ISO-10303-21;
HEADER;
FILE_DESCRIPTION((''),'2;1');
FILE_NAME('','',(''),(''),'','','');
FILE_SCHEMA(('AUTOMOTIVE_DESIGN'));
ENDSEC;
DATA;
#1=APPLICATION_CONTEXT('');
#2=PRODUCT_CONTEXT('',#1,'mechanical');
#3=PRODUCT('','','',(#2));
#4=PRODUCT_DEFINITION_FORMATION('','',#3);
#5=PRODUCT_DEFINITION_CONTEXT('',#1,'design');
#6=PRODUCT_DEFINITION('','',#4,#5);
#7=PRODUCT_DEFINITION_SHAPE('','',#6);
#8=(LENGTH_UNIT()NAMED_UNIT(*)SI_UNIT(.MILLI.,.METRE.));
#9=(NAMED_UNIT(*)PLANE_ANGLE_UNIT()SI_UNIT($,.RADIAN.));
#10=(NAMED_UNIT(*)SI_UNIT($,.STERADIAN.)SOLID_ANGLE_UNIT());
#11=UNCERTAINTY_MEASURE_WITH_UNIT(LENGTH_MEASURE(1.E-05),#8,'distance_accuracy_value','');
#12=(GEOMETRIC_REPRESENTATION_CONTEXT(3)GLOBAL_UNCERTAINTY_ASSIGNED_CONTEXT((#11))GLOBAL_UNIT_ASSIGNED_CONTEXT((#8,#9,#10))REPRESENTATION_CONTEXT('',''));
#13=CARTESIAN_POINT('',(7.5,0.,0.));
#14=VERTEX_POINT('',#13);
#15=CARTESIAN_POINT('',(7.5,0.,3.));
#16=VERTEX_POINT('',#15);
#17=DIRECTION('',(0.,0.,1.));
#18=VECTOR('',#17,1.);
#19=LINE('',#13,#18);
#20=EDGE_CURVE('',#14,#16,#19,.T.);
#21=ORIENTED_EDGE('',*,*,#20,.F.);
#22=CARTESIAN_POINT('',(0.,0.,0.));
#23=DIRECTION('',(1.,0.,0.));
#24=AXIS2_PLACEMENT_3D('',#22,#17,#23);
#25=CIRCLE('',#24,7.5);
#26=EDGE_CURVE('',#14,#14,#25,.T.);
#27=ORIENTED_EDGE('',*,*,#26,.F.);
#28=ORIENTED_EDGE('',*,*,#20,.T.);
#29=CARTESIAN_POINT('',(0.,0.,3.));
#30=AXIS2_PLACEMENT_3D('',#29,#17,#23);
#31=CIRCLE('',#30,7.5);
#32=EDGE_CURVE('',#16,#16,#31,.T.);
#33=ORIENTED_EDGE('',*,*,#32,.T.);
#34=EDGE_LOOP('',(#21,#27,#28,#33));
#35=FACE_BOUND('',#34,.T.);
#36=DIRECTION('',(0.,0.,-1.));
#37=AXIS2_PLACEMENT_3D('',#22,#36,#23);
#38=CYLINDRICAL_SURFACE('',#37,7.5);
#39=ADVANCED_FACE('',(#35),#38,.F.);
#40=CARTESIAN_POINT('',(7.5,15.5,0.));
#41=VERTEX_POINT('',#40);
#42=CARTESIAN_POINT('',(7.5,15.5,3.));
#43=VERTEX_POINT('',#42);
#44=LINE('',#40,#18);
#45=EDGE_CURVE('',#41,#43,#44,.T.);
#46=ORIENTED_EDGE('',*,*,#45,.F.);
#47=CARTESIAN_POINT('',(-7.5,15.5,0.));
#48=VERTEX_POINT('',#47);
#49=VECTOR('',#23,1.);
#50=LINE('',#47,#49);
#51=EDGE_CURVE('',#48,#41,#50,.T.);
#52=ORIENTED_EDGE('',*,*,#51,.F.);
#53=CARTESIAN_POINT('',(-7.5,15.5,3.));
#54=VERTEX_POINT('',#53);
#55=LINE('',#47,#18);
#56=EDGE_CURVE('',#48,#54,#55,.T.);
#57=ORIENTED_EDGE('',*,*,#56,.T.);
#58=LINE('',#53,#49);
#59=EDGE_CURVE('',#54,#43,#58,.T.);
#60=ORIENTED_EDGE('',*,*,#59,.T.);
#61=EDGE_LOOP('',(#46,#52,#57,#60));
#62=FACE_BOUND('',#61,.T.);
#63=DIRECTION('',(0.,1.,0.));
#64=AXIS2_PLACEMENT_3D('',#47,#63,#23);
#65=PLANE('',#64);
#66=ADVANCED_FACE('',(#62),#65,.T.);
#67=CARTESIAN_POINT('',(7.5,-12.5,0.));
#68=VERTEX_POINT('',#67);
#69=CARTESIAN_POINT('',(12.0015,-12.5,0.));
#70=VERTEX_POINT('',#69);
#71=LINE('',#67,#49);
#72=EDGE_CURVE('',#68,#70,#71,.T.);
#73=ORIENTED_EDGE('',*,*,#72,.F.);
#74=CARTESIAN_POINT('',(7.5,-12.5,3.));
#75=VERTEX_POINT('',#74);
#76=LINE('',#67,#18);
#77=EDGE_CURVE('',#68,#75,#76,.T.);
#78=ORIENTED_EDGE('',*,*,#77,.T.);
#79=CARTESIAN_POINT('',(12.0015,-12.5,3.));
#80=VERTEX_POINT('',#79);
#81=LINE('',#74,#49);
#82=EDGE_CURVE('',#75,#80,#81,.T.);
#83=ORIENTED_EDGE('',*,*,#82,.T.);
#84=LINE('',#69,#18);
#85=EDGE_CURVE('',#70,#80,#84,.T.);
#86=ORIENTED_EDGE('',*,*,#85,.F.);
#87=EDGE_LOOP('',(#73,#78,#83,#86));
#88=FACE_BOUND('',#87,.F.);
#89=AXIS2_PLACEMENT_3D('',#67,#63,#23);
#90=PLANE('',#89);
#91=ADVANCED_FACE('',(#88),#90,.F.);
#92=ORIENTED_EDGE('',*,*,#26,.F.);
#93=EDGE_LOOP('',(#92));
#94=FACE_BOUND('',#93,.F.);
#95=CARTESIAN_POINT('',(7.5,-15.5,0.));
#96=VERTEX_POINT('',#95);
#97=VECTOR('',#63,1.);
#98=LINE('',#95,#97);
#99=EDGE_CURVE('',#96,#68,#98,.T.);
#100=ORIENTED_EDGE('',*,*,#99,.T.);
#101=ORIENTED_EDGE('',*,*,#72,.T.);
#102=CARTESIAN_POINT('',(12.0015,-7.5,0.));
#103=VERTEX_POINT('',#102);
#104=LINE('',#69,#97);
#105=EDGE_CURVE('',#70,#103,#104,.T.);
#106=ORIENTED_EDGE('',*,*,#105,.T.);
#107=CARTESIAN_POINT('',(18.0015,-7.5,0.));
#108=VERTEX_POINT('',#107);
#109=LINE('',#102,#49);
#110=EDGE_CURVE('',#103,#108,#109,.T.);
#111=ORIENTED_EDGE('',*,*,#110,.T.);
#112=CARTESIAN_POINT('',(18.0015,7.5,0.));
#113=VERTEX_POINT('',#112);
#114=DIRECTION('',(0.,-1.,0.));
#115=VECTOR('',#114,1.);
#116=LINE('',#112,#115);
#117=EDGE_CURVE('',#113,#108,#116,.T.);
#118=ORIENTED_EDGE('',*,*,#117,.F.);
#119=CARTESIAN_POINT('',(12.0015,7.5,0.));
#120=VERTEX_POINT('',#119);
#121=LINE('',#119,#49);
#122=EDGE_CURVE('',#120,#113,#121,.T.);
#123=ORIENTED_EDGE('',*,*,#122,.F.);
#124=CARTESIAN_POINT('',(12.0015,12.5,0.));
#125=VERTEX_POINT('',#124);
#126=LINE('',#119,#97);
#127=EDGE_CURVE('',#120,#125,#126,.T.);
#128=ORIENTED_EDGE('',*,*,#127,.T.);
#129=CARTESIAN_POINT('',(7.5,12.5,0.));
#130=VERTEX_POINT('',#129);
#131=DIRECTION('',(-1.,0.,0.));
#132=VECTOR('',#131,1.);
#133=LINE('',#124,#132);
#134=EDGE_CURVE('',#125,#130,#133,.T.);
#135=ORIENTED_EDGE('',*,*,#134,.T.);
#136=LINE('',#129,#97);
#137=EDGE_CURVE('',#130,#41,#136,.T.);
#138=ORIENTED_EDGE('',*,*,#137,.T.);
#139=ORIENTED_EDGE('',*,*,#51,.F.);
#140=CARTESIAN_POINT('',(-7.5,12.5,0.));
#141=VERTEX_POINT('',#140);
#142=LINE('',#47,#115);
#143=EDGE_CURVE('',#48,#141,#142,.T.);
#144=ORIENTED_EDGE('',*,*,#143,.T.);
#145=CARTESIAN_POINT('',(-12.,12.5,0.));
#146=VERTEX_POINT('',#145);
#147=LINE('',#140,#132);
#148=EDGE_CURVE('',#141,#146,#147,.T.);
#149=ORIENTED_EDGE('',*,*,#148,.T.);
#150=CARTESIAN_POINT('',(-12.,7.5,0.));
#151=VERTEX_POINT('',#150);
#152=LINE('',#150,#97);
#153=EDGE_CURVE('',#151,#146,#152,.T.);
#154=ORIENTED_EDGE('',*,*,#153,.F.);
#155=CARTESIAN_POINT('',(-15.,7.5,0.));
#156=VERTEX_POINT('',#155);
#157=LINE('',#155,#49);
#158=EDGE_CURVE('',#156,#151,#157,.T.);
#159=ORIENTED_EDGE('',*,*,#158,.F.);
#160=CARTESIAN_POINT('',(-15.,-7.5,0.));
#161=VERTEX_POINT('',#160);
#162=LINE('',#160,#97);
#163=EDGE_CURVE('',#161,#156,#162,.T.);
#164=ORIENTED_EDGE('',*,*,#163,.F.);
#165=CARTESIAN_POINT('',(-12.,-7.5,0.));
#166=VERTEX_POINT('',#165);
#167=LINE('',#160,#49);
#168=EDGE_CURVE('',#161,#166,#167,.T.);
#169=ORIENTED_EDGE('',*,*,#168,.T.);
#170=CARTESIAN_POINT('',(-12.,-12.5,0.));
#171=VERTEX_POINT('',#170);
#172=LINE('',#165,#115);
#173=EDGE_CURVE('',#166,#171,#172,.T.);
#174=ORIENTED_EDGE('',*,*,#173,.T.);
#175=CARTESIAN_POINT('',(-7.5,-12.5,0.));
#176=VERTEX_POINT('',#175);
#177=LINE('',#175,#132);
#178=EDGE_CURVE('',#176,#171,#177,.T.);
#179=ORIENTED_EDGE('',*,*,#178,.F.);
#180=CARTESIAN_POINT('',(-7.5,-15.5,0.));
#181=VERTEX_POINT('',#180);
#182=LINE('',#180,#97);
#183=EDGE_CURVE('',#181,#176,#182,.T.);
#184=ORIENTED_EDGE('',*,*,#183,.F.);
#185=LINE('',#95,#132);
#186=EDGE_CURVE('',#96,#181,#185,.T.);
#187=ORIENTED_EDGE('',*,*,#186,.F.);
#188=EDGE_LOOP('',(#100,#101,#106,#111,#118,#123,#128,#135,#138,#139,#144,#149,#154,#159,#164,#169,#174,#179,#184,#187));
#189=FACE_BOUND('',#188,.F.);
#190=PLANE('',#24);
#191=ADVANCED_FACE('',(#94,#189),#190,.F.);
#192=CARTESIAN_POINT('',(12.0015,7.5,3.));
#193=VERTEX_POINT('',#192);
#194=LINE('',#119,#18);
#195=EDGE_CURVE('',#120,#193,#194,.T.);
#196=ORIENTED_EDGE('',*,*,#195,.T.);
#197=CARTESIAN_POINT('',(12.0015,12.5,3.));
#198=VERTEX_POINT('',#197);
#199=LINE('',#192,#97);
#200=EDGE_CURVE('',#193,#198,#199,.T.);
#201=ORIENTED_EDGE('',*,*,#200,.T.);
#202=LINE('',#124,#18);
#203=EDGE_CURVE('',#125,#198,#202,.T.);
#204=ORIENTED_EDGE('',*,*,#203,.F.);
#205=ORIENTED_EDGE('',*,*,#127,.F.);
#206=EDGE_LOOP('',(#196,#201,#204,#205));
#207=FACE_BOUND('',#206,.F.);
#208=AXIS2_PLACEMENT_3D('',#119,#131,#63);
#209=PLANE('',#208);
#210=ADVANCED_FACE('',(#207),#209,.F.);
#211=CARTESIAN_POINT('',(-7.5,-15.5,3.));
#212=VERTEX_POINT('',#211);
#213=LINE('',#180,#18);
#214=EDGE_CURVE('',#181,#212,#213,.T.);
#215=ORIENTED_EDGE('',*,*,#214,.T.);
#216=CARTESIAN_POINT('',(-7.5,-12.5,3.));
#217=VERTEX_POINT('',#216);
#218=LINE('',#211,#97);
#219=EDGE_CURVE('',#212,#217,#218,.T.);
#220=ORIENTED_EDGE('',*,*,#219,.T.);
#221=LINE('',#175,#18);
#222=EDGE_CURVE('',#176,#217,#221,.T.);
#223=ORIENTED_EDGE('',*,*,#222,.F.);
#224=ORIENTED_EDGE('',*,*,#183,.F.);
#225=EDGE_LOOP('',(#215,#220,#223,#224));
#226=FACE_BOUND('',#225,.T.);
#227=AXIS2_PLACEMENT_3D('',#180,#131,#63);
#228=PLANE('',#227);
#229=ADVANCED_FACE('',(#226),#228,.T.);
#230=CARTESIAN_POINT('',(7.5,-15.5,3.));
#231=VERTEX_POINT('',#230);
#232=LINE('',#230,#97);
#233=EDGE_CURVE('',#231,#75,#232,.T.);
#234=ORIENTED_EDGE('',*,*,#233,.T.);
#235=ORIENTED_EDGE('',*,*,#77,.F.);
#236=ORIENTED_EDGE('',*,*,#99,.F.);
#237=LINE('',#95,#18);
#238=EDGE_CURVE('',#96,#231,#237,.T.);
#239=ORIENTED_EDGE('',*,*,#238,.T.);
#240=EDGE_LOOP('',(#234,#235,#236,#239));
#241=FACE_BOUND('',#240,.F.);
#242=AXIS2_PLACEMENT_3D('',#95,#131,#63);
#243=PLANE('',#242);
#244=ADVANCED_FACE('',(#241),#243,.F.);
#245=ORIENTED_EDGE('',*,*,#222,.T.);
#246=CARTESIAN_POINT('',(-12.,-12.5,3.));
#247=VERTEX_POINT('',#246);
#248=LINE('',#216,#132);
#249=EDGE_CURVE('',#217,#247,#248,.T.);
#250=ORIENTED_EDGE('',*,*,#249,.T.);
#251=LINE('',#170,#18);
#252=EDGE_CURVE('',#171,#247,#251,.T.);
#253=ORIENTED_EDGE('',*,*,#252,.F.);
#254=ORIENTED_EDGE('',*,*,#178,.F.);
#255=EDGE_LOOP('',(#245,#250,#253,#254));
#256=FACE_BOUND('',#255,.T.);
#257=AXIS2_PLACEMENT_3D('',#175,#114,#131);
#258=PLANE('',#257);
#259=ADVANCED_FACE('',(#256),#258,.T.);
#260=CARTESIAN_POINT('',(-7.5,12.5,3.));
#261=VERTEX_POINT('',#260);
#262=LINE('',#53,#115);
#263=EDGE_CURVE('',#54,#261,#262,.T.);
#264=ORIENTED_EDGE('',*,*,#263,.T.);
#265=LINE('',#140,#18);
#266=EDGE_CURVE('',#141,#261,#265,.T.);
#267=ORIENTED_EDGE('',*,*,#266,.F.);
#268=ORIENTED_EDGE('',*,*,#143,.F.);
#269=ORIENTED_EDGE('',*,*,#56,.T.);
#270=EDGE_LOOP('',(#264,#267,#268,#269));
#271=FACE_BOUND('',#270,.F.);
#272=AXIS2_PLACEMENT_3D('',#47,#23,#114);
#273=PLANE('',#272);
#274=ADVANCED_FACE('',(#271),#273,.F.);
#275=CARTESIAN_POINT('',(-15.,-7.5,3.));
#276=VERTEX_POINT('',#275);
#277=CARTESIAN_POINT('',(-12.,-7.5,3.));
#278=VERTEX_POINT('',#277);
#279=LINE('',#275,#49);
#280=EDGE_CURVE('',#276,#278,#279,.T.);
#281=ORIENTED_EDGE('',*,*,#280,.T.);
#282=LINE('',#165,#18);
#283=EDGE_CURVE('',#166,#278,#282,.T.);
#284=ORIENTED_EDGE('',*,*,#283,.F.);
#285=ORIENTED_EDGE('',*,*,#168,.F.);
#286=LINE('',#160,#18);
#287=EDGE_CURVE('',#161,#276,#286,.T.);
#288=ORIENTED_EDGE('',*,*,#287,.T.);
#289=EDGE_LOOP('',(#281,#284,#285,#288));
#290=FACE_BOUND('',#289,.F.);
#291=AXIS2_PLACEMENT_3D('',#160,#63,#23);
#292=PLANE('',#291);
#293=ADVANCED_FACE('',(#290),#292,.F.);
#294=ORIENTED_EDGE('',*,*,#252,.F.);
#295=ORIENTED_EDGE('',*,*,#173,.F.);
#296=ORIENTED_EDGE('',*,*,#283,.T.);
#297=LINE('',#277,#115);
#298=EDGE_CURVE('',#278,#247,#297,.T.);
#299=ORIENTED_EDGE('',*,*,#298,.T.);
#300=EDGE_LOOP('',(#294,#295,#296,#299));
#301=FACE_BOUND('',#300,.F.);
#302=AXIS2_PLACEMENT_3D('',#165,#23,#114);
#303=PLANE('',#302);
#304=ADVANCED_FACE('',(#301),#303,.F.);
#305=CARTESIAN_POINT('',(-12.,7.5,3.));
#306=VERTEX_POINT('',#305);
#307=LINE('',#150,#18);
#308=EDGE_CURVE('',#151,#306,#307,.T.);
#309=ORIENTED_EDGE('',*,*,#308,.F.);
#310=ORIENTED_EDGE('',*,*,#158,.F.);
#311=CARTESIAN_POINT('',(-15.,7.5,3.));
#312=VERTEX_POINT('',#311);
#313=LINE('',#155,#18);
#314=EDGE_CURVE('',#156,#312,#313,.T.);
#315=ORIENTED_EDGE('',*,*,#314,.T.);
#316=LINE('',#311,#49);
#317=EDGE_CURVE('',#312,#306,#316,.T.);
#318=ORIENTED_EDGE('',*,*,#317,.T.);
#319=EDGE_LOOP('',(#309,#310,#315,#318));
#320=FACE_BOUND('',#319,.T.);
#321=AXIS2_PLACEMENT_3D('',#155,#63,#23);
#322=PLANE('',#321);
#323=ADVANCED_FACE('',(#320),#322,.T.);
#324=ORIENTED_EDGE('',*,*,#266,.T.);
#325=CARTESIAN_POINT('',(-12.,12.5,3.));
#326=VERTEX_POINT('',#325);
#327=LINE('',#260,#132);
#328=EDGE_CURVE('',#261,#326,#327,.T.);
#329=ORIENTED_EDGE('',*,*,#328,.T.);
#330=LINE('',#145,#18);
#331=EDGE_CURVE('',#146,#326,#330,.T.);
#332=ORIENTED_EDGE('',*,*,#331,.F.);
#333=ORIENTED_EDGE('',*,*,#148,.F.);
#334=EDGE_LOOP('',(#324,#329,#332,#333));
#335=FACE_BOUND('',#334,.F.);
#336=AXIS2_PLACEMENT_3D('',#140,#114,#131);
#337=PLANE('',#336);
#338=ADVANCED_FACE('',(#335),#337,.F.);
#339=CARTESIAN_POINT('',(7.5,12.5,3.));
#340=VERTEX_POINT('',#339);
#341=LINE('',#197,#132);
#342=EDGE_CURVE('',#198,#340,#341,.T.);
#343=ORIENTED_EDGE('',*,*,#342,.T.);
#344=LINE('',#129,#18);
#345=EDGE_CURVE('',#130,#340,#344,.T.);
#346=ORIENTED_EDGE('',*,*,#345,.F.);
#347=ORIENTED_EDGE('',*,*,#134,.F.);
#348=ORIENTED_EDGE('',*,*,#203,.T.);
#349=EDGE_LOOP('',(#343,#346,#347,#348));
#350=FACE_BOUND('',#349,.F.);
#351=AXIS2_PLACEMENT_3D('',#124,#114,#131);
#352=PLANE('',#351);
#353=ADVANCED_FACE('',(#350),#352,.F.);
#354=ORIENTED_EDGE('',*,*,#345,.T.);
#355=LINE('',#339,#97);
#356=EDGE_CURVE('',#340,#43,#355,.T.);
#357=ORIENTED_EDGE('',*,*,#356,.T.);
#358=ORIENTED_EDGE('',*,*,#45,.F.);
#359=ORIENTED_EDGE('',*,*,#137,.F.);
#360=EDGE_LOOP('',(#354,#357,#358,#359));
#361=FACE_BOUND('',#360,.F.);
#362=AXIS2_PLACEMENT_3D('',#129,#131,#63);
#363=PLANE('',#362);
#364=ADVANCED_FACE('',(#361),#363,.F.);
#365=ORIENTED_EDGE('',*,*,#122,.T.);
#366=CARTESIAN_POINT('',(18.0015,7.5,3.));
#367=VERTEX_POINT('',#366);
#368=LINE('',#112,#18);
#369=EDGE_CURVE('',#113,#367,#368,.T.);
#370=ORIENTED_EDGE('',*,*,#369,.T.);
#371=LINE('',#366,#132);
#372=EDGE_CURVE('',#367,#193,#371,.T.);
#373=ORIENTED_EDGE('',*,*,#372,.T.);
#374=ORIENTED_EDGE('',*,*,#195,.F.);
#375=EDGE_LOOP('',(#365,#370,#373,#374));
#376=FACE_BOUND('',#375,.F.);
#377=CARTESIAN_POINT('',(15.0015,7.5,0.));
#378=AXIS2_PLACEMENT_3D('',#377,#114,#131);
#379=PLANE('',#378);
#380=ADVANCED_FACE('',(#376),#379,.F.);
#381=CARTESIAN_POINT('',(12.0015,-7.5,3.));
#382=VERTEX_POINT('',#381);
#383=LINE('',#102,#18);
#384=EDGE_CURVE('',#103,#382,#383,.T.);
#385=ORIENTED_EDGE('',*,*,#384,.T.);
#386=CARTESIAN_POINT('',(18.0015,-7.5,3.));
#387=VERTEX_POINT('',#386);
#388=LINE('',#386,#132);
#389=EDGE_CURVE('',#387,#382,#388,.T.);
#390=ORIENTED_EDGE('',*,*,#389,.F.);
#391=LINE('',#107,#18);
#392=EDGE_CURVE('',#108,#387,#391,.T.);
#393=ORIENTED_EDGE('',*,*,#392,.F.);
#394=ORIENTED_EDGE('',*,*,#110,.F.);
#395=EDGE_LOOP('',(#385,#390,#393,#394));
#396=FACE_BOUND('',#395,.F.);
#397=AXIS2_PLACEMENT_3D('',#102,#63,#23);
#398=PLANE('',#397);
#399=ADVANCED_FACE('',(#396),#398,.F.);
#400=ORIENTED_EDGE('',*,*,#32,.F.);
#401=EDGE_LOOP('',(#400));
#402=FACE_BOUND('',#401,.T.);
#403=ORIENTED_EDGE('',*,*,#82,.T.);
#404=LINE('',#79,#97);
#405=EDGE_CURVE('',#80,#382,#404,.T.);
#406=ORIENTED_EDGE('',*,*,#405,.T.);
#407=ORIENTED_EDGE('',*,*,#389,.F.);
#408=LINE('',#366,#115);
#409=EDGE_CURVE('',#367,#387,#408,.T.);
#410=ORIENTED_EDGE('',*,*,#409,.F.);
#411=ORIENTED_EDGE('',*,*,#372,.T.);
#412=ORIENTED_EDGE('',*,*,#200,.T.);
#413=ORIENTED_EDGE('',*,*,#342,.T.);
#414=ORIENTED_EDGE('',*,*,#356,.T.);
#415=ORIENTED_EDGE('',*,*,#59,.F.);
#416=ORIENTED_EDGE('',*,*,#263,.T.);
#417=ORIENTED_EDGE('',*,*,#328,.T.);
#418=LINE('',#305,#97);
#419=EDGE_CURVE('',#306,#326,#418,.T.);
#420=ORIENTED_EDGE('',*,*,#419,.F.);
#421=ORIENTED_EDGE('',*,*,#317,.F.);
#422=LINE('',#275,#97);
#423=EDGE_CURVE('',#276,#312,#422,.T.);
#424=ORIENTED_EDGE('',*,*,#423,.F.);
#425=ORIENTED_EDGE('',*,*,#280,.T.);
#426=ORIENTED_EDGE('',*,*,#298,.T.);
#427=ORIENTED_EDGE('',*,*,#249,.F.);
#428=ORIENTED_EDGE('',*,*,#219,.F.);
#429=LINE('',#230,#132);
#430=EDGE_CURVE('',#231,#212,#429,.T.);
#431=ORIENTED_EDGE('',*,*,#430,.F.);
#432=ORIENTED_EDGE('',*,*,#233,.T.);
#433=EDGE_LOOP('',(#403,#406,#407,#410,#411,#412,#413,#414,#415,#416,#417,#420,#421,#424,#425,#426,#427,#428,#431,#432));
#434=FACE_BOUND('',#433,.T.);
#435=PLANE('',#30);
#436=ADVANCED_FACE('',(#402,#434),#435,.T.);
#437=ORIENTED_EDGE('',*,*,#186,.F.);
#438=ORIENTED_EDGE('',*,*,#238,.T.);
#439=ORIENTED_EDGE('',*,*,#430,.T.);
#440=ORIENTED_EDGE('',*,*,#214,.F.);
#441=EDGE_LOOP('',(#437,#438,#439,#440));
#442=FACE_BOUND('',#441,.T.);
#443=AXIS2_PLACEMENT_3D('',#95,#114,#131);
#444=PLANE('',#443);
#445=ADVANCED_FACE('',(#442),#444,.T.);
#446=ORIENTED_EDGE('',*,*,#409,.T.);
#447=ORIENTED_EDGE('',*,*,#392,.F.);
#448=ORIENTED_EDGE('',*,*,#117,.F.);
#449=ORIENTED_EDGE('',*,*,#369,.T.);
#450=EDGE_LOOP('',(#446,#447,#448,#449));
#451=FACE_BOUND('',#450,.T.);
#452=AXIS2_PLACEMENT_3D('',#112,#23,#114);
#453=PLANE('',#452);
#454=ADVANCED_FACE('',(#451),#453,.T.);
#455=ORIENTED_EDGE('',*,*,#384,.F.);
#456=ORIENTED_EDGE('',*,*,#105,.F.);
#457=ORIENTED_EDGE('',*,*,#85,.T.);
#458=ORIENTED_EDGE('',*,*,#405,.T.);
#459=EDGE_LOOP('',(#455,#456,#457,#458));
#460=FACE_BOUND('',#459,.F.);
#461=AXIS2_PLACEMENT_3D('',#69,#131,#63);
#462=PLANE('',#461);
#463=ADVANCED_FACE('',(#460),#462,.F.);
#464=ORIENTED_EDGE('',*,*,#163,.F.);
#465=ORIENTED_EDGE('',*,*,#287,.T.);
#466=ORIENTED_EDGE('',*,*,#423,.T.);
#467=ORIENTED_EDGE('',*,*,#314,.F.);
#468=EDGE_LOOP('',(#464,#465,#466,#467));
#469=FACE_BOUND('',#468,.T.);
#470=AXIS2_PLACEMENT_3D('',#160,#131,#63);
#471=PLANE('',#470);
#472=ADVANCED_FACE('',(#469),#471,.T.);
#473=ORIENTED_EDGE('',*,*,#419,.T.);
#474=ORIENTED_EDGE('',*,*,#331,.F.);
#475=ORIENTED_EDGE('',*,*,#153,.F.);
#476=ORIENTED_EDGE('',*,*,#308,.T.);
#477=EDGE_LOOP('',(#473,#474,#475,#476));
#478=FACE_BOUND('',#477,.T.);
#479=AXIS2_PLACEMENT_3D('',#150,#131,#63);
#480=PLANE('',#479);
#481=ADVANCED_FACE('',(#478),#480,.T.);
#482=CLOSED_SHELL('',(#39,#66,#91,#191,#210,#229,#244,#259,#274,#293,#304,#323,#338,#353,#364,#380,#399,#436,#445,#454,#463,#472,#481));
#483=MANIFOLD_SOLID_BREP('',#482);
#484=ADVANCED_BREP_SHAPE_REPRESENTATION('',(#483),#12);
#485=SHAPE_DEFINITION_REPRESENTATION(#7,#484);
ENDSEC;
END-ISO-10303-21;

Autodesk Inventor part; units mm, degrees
ref_plane "YZ Plane" through (0, 0, 0) normal (1, 0, 0) x (0, 1, 0)
ref_plane "XZ Plane" through (0, 0, 0) normal (0, 1, 0) x (-1, 0, 0)
ref_plane "XY Plane" through (0, 0, 0) normal (0, 0, 1) x (1, 0, 0)
sketch "Sketch1" plane through (0, 0, 0) normal (0, 0, 1) x (1, 0, 0)
  circle A0 centre (0, 0) radius 7.5
  line L0 (15.0015, 7.5) -> (12.0015, 7.5)
  line L1 (12.0015, 7.5) -> (12.0015, 12.5)
  line L2 (12.0015, -12.5) -> (12.0015, -7.5)
  line L3 (12.0015, -7.5) -> (15.0015, -7.5)
  line L4 (-7.5, -15.5) -> (-7.5, -12.5)
  line L5 (-7.5, -12.5) -> (-12, -12.5)
  line L6 (7.5, -15.5) -> (7.5, -12.5)
  line L7 (7.5, -12.5) -> (12.0015, -12.5)
  line L8 (-15, -7.5) -> (-12, -7.5)
  line L9 (-12, -7.5) -> (-12, -12.5)
  line L10 (-15, 7.5) -> (-12, 7.5)
  line L11 (-12, 7.5) -> (-12, 12.5)
  line L12 (-7.5, 15.5) -> (-7.5, 12.5)
  line L13 (-7.5, 12.5) -> (-12, 12.5)
  line L14 (12.0015, 12.5) -> (7.5, 12.5)
  line L15 (7.5, 12.5) -> (7.5, 15.5)
  line L16 (15.0015, 7.5) -> (15.0015, -7.5)
  line L17 (-7.5, 15.5) -> (7.5, 15.5)
  line L18 (-15, -7.5) -> (-15, 7.5)
  line L19 (7.5, -15.5) -> (-7.5, -15.5)
  line L20 (15.0015, 7.5) -> (18.0015, 7.5)
  line L21 (18.0015, 7.5) -> (18.0015, -7.5)
  line L22 (18.0015, -7.5) -> (15.0015, -7.5)
  line L23 (15.0015, -7.5) -> (15.0015, 7.5)
  line L24 (-20.9424, 0) -> (31.3224, 0) construction
  dimension "d0" = 15
  dimension "d3" = 3
  dimension "d5" = 3
  dimension "d6" = 3
  dimension "d7" = 15
  dimension "d9" = 15
  dimension "d13" = 3
  dimension "d15" = 31
  dimension "d16" = 3
extrude "Extrusion1" add sketch "Sketch1" along normal blind 3
properties part number "Y-Anchor_Bearing-Ring-Middle"
